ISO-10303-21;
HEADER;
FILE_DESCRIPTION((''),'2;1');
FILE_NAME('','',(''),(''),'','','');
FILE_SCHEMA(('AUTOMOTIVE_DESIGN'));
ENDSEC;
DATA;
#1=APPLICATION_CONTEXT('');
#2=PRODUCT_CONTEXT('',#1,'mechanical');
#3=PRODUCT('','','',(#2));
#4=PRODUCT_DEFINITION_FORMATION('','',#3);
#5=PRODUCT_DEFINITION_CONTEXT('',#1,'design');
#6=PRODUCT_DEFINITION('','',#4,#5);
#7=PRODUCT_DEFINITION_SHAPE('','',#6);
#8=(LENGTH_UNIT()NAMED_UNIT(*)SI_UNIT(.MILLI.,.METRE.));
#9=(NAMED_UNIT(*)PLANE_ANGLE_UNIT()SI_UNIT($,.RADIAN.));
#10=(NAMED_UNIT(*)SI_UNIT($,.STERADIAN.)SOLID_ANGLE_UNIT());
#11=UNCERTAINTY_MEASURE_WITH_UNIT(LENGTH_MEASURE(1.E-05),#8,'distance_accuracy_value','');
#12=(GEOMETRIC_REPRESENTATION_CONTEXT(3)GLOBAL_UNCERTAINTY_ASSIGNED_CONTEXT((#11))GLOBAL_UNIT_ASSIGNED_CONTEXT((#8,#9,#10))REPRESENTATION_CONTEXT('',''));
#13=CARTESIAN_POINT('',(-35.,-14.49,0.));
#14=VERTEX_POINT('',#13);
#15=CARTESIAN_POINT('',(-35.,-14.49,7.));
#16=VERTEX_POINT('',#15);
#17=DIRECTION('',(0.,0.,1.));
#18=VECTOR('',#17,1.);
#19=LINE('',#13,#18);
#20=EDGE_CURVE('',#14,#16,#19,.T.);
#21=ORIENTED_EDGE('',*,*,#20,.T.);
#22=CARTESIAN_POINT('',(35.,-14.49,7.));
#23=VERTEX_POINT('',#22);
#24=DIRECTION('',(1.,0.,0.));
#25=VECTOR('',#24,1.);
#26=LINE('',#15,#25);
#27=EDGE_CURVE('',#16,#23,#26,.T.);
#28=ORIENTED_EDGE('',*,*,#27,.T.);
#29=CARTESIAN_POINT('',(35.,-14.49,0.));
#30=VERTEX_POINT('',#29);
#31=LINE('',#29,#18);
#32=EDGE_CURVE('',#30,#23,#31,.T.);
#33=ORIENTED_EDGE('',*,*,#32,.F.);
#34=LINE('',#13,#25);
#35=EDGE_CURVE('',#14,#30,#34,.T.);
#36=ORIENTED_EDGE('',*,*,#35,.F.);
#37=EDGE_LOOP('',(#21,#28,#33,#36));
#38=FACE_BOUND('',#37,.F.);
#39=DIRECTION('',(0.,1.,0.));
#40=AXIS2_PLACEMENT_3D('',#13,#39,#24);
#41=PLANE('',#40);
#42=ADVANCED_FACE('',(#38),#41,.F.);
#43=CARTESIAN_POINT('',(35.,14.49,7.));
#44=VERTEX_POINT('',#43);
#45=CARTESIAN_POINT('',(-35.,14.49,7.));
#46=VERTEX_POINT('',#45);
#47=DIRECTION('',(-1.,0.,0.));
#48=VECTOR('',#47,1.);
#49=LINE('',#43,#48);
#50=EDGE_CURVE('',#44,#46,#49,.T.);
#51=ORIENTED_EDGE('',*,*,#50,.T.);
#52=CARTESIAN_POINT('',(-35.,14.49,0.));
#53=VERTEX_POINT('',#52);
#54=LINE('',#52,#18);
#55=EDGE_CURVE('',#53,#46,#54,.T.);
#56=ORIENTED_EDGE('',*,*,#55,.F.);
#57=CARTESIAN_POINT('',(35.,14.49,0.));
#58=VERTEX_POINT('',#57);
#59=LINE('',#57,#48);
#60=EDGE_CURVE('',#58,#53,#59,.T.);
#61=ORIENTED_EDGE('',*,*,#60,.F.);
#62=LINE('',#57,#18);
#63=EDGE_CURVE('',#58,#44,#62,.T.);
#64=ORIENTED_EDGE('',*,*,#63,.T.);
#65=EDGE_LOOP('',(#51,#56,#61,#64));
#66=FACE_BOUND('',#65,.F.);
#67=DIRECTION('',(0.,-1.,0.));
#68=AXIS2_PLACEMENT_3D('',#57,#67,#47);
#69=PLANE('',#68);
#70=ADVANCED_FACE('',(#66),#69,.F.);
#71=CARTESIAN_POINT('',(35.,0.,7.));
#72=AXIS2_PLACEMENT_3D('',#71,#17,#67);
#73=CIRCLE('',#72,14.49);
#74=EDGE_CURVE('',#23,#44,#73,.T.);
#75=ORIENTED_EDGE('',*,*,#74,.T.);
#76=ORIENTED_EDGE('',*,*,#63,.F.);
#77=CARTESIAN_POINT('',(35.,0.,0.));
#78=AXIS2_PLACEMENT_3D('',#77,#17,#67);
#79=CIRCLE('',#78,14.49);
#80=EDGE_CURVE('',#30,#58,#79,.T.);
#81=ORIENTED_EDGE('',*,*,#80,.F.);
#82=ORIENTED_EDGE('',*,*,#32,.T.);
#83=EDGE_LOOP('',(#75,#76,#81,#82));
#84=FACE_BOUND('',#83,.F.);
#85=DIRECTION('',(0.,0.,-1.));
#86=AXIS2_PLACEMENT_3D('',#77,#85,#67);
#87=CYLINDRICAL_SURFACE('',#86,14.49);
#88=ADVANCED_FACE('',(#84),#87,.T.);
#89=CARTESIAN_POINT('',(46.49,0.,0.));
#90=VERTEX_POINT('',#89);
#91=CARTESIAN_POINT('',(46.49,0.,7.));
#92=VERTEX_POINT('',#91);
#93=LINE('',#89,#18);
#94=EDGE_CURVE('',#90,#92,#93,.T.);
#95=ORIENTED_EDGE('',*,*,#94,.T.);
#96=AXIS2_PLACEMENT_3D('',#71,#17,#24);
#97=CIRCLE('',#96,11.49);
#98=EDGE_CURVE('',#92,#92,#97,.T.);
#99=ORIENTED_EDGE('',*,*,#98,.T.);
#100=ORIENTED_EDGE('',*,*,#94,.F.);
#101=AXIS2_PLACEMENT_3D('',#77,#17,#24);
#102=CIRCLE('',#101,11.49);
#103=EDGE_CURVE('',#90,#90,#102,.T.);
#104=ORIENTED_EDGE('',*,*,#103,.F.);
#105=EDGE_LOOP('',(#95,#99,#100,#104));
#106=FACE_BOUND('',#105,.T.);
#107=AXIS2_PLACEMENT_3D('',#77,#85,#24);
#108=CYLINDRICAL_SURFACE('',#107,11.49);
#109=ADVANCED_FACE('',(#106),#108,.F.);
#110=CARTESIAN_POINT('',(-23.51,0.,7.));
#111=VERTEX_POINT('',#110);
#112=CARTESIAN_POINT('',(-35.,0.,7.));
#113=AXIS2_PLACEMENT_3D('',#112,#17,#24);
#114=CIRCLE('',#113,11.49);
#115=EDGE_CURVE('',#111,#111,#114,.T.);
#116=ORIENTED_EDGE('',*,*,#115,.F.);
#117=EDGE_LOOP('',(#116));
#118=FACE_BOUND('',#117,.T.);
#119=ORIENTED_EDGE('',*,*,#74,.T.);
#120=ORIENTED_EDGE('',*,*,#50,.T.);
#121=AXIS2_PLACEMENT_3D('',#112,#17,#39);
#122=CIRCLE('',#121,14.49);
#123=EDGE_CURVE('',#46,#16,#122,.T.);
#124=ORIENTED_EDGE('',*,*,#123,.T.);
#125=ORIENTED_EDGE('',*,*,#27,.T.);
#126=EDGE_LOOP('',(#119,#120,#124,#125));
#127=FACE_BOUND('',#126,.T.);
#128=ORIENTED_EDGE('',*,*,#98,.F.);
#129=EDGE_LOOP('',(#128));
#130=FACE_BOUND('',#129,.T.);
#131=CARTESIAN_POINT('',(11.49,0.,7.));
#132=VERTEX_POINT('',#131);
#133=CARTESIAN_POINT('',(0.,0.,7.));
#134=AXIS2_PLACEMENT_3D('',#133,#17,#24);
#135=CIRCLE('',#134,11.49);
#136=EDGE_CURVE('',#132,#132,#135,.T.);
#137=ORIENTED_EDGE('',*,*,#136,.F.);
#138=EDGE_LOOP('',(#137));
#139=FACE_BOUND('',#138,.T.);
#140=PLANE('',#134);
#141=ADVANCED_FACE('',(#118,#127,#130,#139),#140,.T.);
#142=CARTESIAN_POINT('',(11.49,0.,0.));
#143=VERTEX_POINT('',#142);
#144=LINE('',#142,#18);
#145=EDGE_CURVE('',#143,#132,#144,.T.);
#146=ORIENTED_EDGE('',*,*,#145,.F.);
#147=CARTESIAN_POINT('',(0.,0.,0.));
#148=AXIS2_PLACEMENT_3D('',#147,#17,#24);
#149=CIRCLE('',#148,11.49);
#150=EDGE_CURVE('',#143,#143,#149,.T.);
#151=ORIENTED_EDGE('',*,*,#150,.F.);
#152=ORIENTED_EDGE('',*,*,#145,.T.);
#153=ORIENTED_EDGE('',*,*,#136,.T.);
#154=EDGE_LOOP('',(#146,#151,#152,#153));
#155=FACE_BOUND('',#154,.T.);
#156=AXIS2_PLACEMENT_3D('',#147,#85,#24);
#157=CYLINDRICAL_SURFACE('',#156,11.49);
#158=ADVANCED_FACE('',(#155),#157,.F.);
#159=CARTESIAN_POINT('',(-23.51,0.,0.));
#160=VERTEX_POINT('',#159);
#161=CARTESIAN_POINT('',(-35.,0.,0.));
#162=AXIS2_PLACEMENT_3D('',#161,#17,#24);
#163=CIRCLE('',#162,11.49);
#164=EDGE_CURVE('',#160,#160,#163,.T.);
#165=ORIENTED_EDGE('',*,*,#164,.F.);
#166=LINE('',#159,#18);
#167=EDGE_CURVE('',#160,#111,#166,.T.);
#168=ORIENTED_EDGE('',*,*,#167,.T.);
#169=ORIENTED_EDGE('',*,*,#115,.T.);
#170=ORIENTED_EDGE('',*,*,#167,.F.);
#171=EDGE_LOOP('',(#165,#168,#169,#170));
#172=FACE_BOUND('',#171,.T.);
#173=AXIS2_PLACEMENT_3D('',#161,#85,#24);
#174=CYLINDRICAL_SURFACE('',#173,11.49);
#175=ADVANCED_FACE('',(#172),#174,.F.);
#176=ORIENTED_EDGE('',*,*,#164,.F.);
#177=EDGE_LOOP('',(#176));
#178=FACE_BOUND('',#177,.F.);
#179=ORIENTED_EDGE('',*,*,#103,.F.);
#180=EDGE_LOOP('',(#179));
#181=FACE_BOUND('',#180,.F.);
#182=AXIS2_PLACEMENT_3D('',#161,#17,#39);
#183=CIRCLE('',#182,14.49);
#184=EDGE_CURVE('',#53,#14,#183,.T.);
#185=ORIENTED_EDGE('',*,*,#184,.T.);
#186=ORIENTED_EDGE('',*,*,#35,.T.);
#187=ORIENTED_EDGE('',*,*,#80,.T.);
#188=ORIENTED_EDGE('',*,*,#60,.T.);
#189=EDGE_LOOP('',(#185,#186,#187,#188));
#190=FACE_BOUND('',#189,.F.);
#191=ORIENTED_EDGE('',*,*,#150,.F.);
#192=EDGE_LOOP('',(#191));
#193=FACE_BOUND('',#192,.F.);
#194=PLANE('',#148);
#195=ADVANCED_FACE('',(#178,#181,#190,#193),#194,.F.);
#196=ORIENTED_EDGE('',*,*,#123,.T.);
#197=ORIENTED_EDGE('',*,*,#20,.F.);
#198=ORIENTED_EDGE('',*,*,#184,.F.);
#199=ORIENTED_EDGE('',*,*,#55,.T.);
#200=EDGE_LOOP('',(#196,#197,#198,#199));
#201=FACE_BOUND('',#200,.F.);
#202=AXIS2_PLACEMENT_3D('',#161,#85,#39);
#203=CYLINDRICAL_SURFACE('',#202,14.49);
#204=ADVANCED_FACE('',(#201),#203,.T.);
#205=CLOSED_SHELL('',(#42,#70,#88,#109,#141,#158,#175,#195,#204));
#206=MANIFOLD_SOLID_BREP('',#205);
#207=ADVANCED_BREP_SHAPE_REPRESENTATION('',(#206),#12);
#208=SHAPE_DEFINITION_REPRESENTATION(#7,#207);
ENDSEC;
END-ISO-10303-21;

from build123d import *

# Parameters (mm, degrees)
F0_R     = 11.49
F1_DEPTH = 7


with BuildPart() as f1:
    # F0 (on Top) → F1 (new body)
    with BuildSketch(Plane.XY):
        with BuildLine():
            Line((35, 14.49), (-35, 14.49))
            ThreePointArc((-35, 14.49), (-49.49, 0), (-35, -14.49))
            Line((-35, -14.49), (35, -14.49))
            ThreePointArc((35, -14.49), (49.49, 0), (35, 14.49))
        make_face()
        with Locations((-35, 0)):
            Circle(F0_R, mode=Mode.SUBTRACT)
        Circle(F0_R, mode=Mode.SUBTRACT)
        with Locations((35, 0)):
            Circle(F0_R, mode=Mode.SUBTRACT)
    extrude(amount=F1_DEPTH)


solid = f1.part
